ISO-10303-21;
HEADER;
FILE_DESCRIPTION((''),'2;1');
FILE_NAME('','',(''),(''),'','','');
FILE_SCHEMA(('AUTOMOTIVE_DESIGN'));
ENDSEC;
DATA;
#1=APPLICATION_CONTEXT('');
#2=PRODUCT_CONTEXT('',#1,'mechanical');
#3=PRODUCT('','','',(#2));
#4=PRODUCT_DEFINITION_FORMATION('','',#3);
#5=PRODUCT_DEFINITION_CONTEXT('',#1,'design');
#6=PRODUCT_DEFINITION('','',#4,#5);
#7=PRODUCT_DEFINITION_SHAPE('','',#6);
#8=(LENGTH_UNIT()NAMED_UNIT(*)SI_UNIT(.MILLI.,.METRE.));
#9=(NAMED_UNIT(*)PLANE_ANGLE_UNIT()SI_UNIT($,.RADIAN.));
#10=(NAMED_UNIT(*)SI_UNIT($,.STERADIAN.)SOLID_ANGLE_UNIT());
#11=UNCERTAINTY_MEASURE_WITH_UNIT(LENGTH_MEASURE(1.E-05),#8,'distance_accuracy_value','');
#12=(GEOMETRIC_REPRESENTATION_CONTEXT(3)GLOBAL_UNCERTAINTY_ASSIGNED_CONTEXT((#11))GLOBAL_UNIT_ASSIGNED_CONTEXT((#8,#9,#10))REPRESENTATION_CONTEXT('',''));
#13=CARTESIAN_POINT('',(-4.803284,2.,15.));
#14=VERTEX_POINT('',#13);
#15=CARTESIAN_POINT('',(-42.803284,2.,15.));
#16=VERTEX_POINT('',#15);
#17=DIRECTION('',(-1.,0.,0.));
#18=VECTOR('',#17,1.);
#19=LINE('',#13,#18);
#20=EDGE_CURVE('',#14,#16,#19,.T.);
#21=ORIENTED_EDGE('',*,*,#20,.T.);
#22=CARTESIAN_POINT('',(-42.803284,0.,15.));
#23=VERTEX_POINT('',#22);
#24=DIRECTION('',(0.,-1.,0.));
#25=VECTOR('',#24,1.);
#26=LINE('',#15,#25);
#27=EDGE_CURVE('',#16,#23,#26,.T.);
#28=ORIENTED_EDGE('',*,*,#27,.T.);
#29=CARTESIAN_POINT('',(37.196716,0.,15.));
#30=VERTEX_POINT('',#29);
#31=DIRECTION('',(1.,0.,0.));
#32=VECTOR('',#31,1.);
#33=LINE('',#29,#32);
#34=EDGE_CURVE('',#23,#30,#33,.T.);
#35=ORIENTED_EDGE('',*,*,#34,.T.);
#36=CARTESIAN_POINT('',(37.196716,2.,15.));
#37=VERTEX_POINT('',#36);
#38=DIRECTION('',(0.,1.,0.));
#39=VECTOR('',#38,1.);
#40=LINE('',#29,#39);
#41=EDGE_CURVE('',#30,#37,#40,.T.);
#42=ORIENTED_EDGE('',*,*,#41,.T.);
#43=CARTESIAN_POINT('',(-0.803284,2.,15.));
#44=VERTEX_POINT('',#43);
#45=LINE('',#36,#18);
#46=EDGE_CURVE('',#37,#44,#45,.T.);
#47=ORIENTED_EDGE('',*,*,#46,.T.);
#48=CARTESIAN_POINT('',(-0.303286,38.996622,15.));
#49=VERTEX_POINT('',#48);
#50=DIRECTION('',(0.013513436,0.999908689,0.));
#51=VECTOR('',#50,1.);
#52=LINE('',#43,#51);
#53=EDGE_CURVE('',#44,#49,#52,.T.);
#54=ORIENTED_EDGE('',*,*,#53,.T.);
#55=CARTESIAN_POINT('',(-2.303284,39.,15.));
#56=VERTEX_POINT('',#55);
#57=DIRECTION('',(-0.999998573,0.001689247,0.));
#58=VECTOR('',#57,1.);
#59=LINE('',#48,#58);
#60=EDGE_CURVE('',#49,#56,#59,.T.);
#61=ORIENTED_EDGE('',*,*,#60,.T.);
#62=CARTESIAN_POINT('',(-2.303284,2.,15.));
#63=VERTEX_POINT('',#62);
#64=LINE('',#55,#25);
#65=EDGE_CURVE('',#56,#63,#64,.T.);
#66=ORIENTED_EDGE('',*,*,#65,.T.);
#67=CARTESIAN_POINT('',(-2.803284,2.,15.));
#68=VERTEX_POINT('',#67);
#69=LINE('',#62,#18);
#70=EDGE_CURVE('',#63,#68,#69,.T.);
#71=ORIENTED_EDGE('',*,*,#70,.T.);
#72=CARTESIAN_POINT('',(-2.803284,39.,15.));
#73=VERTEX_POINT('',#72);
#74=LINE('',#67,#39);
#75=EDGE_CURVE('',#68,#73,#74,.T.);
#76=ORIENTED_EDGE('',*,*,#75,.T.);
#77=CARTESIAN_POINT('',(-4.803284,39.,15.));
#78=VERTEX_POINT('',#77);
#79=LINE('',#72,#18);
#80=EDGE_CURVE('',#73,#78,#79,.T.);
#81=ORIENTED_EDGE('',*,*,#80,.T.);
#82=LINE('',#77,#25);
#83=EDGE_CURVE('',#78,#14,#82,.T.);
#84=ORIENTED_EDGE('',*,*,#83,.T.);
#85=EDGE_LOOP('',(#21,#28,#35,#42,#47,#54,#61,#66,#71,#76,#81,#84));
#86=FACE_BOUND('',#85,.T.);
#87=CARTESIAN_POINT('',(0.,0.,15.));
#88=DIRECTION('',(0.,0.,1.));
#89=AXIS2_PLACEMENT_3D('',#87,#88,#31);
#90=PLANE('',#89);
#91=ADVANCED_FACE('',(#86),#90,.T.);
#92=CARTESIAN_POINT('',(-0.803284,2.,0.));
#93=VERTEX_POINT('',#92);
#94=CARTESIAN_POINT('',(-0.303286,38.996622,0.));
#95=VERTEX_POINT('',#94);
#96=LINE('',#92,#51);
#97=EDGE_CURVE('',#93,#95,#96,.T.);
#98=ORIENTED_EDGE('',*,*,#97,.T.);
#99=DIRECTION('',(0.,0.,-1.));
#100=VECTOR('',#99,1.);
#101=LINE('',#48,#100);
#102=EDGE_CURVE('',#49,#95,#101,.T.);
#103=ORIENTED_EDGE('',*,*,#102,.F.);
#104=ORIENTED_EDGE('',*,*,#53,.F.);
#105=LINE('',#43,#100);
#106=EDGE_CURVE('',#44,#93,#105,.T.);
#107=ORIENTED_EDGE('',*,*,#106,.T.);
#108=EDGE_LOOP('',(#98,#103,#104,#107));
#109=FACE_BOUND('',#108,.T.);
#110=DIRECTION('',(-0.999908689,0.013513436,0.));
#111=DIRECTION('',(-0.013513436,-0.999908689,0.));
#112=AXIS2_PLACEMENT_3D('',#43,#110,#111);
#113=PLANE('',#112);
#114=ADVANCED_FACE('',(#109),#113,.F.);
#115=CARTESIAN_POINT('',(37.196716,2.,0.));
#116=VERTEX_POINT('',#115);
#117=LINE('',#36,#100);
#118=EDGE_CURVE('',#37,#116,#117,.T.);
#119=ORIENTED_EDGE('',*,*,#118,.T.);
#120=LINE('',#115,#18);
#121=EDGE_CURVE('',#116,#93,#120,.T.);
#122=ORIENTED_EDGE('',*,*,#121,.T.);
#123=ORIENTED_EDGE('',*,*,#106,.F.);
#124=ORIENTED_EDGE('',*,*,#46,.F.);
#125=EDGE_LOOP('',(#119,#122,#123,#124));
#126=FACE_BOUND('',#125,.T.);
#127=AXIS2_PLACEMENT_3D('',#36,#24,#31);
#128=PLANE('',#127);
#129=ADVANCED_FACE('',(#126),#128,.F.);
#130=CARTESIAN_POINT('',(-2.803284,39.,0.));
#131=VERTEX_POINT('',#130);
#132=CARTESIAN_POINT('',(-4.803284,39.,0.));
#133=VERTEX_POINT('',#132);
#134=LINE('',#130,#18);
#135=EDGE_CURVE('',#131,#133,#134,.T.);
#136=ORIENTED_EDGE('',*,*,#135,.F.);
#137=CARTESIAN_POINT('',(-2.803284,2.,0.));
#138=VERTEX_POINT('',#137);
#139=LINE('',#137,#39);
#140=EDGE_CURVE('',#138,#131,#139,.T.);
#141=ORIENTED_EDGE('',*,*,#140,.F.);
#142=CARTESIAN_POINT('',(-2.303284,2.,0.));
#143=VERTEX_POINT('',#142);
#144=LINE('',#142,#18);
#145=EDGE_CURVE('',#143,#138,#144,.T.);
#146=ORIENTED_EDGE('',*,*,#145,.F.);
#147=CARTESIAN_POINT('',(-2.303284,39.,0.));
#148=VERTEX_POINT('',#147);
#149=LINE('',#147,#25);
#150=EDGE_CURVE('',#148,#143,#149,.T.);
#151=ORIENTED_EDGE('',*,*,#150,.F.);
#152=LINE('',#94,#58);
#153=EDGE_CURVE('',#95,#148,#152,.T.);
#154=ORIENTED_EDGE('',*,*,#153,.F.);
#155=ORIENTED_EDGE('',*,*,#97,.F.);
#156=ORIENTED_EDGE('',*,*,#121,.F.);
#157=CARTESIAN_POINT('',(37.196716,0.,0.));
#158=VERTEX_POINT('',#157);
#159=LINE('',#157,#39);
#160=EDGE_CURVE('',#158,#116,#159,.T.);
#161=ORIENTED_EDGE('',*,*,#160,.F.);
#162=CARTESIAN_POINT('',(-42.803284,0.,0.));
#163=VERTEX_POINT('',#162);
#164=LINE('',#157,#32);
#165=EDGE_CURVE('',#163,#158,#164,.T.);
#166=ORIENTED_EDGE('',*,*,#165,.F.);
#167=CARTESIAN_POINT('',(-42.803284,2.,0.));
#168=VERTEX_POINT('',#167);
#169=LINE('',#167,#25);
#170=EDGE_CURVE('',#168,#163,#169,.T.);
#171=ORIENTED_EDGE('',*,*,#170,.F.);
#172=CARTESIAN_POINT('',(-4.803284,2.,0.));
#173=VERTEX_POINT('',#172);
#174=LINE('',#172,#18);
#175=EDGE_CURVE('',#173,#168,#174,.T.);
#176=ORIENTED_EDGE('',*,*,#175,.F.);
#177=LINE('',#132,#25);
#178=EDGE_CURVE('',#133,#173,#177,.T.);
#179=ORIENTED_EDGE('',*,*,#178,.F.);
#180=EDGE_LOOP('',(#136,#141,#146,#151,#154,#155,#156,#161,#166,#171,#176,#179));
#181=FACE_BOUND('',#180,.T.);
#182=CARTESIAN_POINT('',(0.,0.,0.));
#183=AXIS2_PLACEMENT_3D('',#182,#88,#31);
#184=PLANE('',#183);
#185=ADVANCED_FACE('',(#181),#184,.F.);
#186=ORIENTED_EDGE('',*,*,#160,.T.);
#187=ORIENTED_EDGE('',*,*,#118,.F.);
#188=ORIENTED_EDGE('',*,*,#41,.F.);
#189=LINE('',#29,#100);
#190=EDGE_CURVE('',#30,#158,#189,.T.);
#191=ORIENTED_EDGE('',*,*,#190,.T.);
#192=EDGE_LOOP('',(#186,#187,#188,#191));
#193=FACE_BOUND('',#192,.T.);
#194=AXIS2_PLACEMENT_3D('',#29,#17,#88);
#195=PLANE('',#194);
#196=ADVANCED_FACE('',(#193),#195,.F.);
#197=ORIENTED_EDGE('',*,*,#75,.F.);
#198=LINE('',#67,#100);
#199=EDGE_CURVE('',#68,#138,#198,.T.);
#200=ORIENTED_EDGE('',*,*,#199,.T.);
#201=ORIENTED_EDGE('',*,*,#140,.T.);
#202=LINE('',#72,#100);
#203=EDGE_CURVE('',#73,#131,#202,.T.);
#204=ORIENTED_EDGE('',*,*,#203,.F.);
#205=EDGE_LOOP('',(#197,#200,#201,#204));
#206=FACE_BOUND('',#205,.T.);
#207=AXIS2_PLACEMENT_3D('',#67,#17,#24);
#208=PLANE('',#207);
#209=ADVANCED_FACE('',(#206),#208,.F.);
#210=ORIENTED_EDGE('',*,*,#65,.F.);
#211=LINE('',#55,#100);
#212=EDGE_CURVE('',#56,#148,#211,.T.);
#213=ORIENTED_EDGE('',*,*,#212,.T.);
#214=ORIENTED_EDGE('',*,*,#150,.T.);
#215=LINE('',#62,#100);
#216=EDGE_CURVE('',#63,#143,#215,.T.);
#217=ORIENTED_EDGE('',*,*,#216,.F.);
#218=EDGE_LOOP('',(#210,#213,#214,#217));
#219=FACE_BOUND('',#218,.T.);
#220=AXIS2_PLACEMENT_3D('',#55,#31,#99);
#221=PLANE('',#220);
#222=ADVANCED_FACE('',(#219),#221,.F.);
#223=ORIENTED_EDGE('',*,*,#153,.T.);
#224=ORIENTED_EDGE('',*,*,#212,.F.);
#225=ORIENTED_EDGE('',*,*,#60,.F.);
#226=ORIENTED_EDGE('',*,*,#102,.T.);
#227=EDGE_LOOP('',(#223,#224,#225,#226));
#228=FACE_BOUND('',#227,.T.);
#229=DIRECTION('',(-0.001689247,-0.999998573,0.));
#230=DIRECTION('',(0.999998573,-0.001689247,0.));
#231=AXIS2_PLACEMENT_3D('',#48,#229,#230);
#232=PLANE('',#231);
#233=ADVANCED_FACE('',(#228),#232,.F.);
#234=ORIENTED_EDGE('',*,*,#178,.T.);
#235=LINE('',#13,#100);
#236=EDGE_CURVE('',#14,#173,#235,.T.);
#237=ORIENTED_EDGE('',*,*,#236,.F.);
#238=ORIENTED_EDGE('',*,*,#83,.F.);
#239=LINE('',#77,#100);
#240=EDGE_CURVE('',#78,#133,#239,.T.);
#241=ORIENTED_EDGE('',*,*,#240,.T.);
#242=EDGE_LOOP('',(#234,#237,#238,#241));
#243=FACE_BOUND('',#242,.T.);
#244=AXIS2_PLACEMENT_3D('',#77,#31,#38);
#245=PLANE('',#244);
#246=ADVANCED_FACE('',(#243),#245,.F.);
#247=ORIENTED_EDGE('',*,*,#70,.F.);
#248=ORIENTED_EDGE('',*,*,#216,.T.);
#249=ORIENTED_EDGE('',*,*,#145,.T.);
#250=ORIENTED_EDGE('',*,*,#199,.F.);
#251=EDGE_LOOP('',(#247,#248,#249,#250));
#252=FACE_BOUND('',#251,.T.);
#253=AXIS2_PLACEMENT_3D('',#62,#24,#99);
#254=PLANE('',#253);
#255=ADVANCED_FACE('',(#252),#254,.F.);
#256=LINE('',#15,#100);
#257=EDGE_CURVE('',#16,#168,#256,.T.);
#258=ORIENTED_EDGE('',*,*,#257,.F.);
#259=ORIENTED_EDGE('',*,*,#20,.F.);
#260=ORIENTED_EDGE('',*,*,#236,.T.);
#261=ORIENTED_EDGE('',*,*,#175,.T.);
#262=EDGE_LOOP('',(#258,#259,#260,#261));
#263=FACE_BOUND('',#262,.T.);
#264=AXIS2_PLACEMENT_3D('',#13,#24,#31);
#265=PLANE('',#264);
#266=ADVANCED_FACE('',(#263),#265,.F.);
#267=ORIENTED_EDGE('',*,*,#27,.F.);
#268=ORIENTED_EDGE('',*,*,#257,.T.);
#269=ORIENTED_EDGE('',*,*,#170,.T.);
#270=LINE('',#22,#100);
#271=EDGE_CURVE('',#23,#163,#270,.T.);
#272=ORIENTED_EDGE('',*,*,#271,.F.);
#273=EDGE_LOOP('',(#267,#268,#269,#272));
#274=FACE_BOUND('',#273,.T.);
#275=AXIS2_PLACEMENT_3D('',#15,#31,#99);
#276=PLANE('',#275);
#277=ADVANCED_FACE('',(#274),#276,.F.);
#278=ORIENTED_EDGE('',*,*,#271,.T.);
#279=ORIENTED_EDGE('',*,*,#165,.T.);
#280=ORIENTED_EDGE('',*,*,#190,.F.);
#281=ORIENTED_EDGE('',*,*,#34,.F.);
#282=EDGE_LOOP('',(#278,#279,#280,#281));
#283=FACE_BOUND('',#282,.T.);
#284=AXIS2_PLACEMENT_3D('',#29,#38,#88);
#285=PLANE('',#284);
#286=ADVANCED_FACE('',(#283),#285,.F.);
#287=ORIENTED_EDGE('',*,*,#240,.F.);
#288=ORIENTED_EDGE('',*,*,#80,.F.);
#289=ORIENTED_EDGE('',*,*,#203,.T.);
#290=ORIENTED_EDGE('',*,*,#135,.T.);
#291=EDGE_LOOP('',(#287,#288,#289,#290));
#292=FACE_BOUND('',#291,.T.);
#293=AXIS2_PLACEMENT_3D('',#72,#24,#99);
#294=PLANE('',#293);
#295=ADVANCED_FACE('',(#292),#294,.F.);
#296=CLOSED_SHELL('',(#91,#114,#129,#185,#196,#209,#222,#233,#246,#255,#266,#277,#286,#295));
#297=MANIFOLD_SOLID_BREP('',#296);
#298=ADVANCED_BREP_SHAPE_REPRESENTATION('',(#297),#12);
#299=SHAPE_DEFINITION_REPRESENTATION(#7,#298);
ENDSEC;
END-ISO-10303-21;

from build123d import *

# Parameters (mm, degrees)
BOSS_EXTRU_1_DEPTH = 15


with BuildPart() as part:
    # Esquisse1 → Boss.-Extru.1 (new body)
    with BuildSketch(Plane.XY):
        Polygon((37.196716412, 0), (-42.803283588, 0), (-42.803283588, 2), (-4.803283588, 2), (-4.803283588, 39), (-2.803283588, 39), (-2.803283588, 2), (-2.303283588, 2), (-2.303283588, 39), (-0.303286441, 38.996621506), (-0.803283588, 2), (37.196716412, 2), align=None)
    extrude(amount=BOSS_EXTRU_1_DEPTH)


solid = part.part
